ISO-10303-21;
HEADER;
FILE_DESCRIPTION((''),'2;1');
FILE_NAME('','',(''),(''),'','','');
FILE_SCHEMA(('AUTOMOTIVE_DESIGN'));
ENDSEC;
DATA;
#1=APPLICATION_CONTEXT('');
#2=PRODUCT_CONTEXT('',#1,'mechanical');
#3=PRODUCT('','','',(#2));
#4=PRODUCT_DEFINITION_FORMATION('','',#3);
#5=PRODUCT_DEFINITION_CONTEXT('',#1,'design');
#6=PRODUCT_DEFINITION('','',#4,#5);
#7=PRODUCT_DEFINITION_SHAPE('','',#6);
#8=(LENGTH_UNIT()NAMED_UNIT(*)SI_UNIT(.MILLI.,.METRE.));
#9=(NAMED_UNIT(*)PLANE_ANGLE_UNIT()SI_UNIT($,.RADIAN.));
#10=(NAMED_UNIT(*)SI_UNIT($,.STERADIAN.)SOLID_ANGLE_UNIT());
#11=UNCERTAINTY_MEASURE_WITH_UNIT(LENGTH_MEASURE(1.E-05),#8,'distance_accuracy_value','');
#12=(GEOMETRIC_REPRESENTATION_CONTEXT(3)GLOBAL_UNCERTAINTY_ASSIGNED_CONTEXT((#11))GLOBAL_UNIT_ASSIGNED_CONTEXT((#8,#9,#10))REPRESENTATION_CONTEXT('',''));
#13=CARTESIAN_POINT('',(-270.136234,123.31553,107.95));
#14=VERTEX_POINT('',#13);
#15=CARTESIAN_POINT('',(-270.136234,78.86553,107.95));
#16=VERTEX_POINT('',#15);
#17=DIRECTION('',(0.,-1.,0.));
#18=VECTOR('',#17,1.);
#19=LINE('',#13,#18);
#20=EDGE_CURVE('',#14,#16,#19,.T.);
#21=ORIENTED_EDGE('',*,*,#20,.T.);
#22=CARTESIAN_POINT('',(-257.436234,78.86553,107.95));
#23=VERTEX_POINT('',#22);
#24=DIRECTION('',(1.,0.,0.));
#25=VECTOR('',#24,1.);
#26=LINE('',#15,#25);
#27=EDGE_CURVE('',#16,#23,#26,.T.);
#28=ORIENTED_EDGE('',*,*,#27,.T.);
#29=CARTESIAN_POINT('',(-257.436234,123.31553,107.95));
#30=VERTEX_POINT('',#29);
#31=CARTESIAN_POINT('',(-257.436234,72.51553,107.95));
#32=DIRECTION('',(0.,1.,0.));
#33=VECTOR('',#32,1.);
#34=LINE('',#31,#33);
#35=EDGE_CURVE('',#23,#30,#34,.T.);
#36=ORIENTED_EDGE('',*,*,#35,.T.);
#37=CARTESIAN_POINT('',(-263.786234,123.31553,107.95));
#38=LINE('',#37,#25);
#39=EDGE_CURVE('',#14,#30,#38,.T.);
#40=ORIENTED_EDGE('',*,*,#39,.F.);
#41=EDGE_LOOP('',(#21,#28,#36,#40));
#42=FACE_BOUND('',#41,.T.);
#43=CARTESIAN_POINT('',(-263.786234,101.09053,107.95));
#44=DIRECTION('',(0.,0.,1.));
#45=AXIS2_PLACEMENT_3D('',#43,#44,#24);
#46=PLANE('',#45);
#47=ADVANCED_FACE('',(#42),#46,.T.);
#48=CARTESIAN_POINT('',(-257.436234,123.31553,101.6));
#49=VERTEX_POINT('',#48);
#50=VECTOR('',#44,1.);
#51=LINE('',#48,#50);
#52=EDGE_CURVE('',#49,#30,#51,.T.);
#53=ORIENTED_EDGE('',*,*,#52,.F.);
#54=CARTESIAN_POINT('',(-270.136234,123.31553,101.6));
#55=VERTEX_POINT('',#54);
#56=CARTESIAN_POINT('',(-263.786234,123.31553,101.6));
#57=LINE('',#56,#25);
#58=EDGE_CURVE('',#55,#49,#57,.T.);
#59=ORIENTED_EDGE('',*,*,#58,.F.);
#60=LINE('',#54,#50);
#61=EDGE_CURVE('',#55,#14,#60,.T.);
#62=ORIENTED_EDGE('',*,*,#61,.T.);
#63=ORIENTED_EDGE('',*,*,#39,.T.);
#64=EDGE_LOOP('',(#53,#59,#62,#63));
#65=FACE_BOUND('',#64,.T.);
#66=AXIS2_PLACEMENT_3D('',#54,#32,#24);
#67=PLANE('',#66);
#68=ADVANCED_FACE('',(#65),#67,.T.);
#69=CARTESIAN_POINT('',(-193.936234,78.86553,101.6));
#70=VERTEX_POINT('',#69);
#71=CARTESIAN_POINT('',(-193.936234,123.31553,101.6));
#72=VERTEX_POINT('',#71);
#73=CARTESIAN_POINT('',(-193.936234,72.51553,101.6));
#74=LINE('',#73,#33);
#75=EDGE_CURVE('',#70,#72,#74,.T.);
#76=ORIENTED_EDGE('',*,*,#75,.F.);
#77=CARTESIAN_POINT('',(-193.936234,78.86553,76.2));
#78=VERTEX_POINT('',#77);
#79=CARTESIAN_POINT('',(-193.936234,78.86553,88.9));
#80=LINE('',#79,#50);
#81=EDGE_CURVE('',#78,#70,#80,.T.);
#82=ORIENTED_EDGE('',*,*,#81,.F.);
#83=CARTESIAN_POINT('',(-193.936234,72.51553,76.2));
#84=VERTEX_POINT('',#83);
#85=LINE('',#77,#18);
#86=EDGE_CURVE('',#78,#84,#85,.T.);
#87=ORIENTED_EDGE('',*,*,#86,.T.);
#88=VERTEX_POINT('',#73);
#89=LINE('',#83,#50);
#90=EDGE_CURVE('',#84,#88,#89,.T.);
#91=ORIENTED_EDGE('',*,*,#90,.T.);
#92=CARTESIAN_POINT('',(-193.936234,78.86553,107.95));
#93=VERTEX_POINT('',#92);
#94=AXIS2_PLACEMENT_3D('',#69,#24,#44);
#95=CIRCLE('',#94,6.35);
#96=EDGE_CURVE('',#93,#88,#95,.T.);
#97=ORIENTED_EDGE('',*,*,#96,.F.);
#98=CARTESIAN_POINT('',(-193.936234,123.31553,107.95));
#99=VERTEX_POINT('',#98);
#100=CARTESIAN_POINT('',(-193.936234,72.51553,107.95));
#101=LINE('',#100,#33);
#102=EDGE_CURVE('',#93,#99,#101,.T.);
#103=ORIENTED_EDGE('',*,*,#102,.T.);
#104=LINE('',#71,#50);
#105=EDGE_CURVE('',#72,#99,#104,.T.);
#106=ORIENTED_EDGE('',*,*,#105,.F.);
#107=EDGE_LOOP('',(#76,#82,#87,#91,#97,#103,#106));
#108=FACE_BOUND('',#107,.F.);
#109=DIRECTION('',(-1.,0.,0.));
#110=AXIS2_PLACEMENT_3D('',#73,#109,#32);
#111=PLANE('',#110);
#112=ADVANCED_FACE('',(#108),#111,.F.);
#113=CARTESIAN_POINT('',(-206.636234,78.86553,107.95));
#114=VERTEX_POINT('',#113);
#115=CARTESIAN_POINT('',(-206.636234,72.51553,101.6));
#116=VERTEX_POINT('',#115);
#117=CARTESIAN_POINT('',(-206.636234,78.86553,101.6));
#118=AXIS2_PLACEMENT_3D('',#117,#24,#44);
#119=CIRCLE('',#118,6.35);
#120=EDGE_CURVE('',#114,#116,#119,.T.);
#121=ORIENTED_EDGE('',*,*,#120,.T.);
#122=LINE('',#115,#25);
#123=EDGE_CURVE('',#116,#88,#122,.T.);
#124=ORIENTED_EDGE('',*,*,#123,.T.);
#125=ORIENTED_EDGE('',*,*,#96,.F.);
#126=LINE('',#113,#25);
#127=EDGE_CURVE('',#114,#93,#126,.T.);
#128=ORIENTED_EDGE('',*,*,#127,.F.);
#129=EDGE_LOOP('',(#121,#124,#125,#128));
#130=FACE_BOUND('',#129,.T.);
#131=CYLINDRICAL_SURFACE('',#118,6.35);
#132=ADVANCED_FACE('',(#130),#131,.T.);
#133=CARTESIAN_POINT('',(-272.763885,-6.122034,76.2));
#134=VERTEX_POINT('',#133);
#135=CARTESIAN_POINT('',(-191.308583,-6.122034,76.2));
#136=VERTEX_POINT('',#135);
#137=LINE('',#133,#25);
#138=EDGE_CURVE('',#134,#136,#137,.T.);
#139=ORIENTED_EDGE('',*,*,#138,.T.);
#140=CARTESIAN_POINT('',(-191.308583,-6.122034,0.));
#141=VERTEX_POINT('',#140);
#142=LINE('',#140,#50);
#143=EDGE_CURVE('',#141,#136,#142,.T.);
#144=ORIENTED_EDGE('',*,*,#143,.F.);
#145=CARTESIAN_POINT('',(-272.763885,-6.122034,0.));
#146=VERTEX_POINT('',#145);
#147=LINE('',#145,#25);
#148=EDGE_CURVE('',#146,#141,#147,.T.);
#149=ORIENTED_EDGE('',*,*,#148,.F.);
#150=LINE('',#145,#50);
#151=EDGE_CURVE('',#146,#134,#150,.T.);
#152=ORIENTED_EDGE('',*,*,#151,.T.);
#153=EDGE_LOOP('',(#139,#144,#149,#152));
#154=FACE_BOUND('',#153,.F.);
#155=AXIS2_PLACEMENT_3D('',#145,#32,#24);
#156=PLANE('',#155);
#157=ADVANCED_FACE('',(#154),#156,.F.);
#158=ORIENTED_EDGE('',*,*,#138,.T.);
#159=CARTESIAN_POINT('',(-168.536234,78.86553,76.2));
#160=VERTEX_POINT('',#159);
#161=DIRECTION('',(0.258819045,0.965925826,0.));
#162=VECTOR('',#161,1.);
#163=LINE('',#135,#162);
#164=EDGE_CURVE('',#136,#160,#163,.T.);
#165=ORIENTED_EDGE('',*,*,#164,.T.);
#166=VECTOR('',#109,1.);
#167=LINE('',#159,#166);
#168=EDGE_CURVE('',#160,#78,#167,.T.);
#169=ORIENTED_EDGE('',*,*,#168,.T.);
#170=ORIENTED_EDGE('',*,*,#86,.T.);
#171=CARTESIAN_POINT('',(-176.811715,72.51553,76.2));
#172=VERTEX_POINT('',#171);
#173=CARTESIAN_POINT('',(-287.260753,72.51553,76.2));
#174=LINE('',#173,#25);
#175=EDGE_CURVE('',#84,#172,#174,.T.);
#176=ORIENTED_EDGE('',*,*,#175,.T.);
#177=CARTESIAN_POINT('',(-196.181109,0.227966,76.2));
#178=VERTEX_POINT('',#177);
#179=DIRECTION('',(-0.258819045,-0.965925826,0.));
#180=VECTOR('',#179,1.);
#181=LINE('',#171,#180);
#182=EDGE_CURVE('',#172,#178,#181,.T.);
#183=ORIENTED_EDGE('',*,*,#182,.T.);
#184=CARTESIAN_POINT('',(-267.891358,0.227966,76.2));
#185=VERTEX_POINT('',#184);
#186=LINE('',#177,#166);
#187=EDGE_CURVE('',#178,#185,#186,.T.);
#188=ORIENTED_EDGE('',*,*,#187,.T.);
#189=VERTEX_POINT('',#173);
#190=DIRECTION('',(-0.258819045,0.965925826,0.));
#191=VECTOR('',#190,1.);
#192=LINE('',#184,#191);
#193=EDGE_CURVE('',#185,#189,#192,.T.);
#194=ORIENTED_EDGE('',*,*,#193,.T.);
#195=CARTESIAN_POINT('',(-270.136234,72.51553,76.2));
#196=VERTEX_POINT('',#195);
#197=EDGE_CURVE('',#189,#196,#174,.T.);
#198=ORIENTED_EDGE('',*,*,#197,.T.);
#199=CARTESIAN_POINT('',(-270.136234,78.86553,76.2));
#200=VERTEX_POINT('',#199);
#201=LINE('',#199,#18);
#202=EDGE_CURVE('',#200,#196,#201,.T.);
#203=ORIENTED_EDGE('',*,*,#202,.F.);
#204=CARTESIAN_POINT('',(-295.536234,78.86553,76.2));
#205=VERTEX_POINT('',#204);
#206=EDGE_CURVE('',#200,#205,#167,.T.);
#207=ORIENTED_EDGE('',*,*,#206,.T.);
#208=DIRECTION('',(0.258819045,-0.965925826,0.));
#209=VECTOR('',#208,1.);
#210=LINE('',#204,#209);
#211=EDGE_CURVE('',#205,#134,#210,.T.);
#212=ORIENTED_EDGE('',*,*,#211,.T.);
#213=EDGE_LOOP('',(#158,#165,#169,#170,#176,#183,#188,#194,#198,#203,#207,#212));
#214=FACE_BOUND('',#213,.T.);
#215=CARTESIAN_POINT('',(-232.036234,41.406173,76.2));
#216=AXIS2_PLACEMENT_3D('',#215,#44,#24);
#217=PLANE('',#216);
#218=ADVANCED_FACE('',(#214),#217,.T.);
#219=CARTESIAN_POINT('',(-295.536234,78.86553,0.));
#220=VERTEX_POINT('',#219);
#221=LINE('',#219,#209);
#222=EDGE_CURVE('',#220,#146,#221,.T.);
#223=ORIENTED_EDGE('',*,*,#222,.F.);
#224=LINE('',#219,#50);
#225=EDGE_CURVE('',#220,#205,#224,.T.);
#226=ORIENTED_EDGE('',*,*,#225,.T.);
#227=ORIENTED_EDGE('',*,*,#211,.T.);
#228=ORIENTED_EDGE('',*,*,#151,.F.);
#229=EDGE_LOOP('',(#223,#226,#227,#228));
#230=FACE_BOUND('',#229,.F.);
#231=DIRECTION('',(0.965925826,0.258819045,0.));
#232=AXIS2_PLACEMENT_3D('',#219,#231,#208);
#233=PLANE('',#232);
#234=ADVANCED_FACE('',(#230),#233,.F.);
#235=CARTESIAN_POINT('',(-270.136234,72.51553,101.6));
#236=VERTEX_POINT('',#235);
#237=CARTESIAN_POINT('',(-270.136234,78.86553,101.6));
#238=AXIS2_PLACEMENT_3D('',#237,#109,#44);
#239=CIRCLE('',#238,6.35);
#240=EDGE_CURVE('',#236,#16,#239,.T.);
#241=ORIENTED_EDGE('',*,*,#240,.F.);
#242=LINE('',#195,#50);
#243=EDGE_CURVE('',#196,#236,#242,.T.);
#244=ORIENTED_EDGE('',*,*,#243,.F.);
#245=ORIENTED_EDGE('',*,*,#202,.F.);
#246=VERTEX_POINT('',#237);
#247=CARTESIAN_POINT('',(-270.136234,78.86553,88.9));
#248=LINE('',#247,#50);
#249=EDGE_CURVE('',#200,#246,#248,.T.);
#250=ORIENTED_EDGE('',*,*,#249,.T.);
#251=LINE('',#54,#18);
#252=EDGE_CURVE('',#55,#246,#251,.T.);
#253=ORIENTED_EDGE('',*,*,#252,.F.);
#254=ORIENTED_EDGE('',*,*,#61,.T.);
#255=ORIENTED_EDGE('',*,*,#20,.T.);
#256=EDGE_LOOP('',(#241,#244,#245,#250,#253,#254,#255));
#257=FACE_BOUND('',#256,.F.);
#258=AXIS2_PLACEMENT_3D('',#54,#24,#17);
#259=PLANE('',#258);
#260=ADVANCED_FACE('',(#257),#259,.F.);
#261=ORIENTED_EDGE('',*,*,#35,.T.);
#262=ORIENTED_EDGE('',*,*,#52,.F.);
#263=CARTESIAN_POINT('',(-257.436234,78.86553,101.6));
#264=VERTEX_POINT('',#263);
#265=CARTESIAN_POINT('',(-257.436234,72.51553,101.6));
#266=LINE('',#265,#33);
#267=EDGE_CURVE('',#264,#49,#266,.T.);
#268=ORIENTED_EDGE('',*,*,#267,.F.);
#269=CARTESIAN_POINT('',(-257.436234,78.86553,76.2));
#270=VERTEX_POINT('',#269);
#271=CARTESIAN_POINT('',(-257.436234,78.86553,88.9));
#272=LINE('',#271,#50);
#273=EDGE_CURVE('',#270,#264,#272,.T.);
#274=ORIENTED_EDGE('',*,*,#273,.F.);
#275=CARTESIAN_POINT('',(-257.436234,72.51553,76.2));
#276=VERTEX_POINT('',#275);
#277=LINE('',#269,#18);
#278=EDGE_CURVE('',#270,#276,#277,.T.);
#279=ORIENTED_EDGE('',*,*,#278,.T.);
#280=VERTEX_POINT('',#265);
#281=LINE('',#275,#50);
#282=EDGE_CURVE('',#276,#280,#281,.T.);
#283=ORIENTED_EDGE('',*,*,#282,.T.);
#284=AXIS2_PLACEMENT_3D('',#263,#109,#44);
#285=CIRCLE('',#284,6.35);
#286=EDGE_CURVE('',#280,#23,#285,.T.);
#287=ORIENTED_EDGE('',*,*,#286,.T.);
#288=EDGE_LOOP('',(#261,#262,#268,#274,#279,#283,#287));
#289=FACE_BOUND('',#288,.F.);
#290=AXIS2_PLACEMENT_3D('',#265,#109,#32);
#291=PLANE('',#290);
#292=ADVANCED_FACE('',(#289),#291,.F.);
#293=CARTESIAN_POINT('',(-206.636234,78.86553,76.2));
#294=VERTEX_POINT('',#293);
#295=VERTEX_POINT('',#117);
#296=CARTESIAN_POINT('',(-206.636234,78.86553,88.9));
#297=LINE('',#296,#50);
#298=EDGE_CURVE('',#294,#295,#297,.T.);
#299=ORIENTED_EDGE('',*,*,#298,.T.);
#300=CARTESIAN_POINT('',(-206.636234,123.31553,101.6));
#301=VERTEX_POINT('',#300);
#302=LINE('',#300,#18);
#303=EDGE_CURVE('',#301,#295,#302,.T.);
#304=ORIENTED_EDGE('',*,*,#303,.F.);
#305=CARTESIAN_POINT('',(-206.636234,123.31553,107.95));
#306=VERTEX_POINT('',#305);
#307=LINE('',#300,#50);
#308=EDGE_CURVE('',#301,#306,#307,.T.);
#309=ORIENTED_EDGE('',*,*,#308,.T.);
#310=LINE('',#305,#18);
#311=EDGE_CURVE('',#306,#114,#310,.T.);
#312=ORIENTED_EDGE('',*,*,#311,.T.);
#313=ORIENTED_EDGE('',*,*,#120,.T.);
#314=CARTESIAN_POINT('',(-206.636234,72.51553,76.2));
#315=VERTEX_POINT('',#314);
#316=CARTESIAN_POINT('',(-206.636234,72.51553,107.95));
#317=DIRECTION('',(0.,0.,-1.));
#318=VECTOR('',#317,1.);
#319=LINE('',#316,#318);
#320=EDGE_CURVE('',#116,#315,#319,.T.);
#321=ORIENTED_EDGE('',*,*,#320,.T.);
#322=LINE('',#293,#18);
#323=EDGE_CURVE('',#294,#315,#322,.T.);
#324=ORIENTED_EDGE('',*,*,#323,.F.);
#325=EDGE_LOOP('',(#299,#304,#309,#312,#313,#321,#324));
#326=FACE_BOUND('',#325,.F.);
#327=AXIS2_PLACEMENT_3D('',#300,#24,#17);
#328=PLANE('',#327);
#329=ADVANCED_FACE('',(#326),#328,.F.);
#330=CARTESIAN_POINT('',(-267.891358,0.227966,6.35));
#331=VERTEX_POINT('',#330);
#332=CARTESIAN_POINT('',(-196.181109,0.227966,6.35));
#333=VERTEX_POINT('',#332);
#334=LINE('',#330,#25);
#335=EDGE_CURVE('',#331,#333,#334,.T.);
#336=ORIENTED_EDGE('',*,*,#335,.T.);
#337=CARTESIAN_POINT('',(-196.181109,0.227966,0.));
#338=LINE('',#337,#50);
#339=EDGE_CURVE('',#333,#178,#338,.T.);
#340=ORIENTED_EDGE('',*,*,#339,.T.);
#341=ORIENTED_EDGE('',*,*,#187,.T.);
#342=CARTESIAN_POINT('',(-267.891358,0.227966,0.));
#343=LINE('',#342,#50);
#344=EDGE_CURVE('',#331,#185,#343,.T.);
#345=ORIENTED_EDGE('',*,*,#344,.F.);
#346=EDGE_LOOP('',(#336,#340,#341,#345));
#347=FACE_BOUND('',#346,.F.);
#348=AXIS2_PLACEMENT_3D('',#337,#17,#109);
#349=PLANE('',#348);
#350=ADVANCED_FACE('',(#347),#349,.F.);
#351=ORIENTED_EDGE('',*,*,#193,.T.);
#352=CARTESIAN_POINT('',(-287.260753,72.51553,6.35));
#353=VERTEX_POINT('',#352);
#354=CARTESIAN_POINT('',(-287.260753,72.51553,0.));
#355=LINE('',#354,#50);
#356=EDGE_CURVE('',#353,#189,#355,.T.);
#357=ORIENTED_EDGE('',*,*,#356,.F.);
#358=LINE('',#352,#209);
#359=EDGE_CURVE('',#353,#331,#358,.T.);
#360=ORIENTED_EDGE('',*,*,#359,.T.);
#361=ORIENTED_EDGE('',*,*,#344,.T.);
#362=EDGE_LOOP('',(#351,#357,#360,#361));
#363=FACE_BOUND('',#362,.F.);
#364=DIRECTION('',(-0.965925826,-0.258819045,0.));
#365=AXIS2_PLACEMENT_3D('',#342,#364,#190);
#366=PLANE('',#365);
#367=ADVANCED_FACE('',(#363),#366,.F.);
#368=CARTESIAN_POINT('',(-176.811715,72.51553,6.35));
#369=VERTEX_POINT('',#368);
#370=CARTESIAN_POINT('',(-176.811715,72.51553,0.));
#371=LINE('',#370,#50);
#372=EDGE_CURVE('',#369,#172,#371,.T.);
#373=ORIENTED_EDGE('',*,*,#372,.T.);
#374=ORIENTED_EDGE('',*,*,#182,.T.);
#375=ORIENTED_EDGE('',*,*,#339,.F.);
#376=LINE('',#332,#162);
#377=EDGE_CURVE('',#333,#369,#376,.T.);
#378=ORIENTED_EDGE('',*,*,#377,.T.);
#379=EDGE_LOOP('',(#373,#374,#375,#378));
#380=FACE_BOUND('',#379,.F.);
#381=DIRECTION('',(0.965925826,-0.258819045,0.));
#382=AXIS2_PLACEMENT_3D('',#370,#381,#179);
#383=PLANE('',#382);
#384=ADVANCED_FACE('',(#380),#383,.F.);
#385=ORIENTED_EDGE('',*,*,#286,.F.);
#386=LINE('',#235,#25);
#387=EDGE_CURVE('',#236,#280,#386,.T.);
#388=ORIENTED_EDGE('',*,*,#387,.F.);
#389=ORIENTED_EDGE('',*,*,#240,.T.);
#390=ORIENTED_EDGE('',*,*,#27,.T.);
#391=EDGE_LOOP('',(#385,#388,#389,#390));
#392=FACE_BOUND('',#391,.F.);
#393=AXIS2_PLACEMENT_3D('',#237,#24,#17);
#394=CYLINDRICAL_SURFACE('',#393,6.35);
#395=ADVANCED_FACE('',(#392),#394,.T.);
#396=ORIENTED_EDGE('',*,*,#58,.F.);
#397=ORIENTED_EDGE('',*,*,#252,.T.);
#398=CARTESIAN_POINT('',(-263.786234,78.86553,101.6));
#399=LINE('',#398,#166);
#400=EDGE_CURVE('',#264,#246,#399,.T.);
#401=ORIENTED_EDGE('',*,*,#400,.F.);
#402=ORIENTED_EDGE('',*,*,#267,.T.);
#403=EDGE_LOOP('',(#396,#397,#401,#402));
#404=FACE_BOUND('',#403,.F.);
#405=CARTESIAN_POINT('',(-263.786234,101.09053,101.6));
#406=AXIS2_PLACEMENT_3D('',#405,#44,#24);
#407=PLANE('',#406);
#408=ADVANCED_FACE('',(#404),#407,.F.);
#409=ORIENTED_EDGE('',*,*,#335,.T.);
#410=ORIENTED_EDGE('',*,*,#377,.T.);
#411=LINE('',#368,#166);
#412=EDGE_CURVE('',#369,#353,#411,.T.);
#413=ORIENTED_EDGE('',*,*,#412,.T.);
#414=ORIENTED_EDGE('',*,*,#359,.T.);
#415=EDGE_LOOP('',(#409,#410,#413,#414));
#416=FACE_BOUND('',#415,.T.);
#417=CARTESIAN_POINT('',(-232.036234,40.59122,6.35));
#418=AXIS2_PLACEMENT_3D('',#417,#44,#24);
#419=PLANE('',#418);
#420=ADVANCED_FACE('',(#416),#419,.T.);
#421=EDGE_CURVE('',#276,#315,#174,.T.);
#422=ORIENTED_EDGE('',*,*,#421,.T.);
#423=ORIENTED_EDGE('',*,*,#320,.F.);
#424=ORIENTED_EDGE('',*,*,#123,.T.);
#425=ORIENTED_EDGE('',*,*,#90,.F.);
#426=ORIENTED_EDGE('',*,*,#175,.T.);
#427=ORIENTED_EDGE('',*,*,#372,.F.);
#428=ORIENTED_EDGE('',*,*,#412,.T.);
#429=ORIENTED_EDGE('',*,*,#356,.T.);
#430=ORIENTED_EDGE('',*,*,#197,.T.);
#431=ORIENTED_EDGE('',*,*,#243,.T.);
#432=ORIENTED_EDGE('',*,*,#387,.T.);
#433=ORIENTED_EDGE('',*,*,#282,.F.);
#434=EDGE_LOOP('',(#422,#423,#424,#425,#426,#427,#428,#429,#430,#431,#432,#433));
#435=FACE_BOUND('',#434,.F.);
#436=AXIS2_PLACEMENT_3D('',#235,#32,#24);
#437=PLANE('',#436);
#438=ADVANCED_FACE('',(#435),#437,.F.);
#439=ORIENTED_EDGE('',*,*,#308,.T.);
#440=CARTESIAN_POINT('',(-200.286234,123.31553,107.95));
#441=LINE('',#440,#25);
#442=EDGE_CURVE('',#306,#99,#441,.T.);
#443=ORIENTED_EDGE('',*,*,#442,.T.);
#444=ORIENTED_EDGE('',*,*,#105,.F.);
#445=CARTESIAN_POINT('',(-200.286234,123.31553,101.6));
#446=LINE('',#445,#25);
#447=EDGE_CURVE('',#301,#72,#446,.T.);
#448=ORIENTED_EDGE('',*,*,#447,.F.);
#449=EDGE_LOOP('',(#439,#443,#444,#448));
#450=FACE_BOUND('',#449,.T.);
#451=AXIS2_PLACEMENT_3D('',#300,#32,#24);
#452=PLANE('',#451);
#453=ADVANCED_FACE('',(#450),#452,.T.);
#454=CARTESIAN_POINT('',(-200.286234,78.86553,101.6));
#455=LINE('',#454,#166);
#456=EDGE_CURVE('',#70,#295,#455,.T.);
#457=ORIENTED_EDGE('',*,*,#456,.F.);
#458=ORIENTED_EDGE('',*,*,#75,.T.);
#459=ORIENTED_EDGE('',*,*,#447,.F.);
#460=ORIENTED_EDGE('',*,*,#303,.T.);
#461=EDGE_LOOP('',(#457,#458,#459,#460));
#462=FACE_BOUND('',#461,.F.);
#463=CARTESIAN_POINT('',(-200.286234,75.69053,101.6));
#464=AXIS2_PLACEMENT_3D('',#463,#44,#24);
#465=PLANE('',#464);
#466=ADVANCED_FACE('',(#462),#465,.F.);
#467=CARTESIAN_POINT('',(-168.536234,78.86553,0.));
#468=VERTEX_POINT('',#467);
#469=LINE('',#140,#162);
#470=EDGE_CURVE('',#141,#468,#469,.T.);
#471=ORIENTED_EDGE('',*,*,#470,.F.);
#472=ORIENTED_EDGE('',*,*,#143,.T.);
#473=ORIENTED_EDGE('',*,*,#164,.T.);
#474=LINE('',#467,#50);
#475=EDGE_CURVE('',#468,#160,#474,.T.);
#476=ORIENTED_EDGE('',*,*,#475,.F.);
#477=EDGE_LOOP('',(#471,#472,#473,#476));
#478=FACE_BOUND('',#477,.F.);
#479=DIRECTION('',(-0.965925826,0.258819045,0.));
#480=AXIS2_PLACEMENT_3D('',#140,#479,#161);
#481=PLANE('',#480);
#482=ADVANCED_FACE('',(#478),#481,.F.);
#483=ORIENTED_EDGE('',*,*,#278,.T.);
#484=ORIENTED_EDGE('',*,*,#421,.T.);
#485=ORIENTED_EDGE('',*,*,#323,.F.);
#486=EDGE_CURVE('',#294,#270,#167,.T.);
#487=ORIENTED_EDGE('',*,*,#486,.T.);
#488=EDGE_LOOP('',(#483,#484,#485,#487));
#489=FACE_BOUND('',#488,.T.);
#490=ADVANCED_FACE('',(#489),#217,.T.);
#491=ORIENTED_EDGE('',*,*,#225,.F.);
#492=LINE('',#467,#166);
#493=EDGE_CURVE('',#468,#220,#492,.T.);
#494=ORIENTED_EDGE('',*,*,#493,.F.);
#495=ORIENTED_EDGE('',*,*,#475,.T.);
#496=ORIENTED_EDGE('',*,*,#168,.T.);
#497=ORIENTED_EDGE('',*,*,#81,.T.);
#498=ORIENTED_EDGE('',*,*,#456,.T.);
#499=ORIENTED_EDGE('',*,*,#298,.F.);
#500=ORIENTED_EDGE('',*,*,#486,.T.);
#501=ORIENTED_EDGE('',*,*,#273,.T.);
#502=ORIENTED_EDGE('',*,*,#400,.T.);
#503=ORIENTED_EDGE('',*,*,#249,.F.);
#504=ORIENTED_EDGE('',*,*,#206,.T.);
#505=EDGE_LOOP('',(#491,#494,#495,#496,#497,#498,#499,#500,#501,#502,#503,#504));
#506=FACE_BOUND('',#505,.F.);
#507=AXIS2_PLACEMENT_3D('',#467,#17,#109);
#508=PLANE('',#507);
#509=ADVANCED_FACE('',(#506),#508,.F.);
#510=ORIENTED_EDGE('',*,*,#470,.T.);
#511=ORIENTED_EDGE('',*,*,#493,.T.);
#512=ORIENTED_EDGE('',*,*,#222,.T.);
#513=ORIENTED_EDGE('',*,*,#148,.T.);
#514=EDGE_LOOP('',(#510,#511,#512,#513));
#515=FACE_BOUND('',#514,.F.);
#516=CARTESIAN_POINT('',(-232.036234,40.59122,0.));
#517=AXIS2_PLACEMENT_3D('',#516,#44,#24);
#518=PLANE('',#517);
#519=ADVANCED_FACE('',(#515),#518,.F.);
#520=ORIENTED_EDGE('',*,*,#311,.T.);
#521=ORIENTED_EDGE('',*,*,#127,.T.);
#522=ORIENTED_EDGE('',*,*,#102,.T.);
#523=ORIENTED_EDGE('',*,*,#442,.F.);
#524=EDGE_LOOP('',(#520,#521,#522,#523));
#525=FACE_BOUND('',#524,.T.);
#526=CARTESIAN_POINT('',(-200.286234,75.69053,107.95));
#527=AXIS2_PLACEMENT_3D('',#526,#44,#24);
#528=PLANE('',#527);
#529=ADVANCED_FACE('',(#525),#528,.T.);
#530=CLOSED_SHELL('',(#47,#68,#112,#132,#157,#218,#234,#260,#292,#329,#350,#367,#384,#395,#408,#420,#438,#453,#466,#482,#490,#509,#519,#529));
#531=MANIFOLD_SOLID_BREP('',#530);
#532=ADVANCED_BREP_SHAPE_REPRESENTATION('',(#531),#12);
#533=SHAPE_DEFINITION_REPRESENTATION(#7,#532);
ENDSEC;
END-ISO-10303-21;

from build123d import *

# Parameters (mm, degrees)
F1_DEPTH = 76.2
F2_DEPTH = 6.35
F3_W     = 12.7
F3_H     = 25.4
F4_DEPTH = 6.35
F5_W     = 12.7
F5_H     = 6.35
F5_H_2   = 44.45
F6_DEPTH = 6.35
F7_W     = 12.7
F7_H     = 44.45
F7_H_2   = 6.35
F8_DEPTH = 6.35
F9_R     = 6.35
F10_R    = 6.35


with BuildPart() as f1:
    # F0 (on Top) → F1 (new body)
    with BuildSketch(Plane.XY):
        Polygon((-191.3085826457, -6.122033637), (-168.5362336709, 78.8655297446), (-295.5362336709, 78.8655297446), (-272.7638846962, -6.122033637), align=None)
        Polygon((-267.8913583225, 0.227966363), (-287.2607525534, 72.5155297446), (-176.8117147885, 72.5155297446), (-196.1811090194, 0.227966363), align=None, mode=Mode.SUBTRACT)
    extrude(amount=F1_DEPTH)

    # F0 (on Top) → F2 (join)
    with BuildSketch(Plane.XY):
        Polygon((-176.8117147885, 72.5155297446), (-287.2607525534, 72.5155297446), (-267.8913583225, 0.227966363), (-196.1811090194, 0.227966363), align=None)
    extrude(amount=F2_DEPTH)

    # F3 (on face) → F4 (join)
    with BuildSketch(Plane(origin=(0, 78.8655297446, 0), x_dir=(-1, 0, 0), z_dir=(0, 1, 0))):
        with Locations((200.2862336709, 88.9)):
            Rectangle(F3_W, F3_H)
        with Locations((263.7862336709, 88.9)):
            Rectangle(F3_W, F3_H)
    extrude(amount=-F4_DEPTH)

    # F5 (on face) → F6 (join)
    with BuildSketch(Plane.XY.offset(101.6)):
        with Locations((-200.2862336709, 75.6905297446)):
            Rectangle(F5_W, F5_H)
        with Locations((-200.2862336709, 101.0905297446)):
            Rectangle(F5_W, F5_H_2)
    extrude(amount=F6_DEPTH)

    # F7 (on face) → F8 (join)
    with BuildSketch(Plane.XY.offset(101.6)):
        with Locations((-263.7862336709, 101.0905297446)):
            Rectangle(F7_W, F7_H)
        with Locations((-263.7862336709, 75.6905297446)):
            Rectangle(F7_W, F7_H_2)
    extrude(amount=F8_DEPTH)

    # F9
    f9_edges = [f1.edges().sort_by_distance(p)[0] for p in [
        (-200.286234, 72.51553, 107.95),
    ]]
    fillet(f9_edges, radius=F9_R)

    # F10
    f10_edges = [f1.edges().sort_by_distance(p)[0] for p in [
        (-263.786234, 72.51553, 107.95),
    ]]
    fillet(f10_edges, radius=F10_R)


solid = f1.part
